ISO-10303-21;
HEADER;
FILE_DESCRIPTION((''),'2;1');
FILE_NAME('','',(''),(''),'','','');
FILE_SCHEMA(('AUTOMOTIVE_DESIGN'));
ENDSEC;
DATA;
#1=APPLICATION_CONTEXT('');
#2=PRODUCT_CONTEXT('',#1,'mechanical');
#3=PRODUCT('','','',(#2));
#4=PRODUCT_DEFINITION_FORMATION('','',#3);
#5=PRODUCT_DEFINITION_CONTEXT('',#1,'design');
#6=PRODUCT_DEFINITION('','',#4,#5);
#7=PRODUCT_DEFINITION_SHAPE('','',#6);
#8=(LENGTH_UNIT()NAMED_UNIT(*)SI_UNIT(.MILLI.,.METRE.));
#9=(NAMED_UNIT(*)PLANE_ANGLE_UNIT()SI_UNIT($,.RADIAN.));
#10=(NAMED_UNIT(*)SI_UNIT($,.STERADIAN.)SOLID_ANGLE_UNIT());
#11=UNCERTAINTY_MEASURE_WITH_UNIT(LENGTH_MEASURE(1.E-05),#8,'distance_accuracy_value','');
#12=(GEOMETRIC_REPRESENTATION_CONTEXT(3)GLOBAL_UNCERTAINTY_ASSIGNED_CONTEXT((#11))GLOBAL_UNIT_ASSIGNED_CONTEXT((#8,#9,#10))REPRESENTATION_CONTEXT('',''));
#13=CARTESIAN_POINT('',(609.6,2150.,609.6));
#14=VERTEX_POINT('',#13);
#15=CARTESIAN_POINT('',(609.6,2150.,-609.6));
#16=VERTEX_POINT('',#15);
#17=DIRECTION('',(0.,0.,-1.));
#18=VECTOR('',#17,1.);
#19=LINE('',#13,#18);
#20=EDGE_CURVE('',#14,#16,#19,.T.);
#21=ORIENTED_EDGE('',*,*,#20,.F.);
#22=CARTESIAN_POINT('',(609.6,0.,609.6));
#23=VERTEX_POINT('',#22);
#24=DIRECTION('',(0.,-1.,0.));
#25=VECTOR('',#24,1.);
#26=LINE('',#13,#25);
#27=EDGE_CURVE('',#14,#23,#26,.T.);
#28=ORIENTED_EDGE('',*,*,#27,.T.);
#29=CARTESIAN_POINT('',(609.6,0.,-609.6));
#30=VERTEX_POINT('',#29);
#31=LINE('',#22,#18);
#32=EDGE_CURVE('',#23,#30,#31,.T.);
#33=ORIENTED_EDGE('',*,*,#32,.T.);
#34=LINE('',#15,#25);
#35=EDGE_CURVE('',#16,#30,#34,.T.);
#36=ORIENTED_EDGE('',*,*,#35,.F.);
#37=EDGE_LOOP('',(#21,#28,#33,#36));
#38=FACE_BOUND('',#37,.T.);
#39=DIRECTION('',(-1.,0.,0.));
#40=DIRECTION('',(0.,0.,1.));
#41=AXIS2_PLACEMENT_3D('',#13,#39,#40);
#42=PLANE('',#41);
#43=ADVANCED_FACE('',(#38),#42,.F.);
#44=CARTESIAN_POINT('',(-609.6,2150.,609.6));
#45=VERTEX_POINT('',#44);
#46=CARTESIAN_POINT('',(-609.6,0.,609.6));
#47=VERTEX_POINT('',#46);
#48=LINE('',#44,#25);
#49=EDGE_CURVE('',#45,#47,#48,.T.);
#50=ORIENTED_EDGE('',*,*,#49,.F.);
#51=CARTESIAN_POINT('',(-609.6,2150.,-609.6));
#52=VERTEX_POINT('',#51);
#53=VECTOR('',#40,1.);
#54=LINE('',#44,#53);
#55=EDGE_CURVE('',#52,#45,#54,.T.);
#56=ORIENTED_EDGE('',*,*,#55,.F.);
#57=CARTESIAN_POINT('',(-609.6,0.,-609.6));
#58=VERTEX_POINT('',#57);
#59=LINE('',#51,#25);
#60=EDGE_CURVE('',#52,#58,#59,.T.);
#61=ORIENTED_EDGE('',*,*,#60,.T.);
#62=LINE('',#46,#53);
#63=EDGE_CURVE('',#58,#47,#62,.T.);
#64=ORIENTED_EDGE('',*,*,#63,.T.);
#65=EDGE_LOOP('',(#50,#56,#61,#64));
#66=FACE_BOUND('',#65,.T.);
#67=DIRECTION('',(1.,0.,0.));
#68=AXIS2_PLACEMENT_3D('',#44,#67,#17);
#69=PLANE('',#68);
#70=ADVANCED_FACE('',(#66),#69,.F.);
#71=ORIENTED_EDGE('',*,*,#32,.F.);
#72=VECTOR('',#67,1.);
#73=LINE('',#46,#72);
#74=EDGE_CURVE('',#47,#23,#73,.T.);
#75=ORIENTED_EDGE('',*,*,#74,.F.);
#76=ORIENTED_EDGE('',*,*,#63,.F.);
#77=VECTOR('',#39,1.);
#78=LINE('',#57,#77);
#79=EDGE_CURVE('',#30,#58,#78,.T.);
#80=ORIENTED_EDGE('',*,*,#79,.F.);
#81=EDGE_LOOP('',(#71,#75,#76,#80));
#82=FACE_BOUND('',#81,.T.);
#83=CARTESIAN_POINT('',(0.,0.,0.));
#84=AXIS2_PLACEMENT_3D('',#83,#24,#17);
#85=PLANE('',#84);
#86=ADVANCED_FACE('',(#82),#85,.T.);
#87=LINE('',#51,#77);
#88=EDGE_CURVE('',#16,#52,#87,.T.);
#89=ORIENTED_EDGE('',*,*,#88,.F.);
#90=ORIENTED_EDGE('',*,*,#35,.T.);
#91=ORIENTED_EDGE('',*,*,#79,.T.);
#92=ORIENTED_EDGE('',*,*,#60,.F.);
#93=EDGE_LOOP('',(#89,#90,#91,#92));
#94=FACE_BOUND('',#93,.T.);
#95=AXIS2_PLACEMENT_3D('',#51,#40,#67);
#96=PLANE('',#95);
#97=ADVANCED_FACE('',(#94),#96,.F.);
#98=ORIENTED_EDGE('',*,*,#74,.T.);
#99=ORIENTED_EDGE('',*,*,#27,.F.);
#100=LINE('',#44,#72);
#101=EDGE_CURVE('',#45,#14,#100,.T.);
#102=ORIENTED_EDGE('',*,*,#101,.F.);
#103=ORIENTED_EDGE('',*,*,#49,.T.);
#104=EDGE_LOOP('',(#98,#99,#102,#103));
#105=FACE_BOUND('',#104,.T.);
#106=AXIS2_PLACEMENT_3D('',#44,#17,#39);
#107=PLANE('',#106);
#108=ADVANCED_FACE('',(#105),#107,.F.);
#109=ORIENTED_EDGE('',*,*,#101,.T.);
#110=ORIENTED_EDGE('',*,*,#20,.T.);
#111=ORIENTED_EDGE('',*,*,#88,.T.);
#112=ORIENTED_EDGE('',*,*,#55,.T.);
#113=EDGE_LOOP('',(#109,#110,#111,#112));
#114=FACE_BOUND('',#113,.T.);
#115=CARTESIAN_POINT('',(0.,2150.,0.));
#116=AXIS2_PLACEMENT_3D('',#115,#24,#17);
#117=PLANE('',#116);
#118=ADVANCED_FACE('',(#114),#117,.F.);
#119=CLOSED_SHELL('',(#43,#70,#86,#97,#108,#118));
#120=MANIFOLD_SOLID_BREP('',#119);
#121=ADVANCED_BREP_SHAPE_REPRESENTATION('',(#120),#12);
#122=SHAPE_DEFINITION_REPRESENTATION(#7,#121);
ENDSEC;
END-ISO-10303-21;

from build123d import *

# Parameters (mm, degrees)
SKETCH1_W           = 1219.2
SKETCH1_H           = 1219.2
BOSS_EXTRUDE1_DEPTH = 2150


with BuildPart() as part:
    # Sketch1 → Boss-Extrude1 (new body)
    with BuildSketch(Plane(origin=(0, 0, 0), x_dir=(1, 0, 0), z_dir=(0, 1, 0))):
        Rectangle(SKETCH1_W, SKETCH1_H)
    extrude(amount=BOSS_EXTRUDE1_DEPTH)


solid = part.part
